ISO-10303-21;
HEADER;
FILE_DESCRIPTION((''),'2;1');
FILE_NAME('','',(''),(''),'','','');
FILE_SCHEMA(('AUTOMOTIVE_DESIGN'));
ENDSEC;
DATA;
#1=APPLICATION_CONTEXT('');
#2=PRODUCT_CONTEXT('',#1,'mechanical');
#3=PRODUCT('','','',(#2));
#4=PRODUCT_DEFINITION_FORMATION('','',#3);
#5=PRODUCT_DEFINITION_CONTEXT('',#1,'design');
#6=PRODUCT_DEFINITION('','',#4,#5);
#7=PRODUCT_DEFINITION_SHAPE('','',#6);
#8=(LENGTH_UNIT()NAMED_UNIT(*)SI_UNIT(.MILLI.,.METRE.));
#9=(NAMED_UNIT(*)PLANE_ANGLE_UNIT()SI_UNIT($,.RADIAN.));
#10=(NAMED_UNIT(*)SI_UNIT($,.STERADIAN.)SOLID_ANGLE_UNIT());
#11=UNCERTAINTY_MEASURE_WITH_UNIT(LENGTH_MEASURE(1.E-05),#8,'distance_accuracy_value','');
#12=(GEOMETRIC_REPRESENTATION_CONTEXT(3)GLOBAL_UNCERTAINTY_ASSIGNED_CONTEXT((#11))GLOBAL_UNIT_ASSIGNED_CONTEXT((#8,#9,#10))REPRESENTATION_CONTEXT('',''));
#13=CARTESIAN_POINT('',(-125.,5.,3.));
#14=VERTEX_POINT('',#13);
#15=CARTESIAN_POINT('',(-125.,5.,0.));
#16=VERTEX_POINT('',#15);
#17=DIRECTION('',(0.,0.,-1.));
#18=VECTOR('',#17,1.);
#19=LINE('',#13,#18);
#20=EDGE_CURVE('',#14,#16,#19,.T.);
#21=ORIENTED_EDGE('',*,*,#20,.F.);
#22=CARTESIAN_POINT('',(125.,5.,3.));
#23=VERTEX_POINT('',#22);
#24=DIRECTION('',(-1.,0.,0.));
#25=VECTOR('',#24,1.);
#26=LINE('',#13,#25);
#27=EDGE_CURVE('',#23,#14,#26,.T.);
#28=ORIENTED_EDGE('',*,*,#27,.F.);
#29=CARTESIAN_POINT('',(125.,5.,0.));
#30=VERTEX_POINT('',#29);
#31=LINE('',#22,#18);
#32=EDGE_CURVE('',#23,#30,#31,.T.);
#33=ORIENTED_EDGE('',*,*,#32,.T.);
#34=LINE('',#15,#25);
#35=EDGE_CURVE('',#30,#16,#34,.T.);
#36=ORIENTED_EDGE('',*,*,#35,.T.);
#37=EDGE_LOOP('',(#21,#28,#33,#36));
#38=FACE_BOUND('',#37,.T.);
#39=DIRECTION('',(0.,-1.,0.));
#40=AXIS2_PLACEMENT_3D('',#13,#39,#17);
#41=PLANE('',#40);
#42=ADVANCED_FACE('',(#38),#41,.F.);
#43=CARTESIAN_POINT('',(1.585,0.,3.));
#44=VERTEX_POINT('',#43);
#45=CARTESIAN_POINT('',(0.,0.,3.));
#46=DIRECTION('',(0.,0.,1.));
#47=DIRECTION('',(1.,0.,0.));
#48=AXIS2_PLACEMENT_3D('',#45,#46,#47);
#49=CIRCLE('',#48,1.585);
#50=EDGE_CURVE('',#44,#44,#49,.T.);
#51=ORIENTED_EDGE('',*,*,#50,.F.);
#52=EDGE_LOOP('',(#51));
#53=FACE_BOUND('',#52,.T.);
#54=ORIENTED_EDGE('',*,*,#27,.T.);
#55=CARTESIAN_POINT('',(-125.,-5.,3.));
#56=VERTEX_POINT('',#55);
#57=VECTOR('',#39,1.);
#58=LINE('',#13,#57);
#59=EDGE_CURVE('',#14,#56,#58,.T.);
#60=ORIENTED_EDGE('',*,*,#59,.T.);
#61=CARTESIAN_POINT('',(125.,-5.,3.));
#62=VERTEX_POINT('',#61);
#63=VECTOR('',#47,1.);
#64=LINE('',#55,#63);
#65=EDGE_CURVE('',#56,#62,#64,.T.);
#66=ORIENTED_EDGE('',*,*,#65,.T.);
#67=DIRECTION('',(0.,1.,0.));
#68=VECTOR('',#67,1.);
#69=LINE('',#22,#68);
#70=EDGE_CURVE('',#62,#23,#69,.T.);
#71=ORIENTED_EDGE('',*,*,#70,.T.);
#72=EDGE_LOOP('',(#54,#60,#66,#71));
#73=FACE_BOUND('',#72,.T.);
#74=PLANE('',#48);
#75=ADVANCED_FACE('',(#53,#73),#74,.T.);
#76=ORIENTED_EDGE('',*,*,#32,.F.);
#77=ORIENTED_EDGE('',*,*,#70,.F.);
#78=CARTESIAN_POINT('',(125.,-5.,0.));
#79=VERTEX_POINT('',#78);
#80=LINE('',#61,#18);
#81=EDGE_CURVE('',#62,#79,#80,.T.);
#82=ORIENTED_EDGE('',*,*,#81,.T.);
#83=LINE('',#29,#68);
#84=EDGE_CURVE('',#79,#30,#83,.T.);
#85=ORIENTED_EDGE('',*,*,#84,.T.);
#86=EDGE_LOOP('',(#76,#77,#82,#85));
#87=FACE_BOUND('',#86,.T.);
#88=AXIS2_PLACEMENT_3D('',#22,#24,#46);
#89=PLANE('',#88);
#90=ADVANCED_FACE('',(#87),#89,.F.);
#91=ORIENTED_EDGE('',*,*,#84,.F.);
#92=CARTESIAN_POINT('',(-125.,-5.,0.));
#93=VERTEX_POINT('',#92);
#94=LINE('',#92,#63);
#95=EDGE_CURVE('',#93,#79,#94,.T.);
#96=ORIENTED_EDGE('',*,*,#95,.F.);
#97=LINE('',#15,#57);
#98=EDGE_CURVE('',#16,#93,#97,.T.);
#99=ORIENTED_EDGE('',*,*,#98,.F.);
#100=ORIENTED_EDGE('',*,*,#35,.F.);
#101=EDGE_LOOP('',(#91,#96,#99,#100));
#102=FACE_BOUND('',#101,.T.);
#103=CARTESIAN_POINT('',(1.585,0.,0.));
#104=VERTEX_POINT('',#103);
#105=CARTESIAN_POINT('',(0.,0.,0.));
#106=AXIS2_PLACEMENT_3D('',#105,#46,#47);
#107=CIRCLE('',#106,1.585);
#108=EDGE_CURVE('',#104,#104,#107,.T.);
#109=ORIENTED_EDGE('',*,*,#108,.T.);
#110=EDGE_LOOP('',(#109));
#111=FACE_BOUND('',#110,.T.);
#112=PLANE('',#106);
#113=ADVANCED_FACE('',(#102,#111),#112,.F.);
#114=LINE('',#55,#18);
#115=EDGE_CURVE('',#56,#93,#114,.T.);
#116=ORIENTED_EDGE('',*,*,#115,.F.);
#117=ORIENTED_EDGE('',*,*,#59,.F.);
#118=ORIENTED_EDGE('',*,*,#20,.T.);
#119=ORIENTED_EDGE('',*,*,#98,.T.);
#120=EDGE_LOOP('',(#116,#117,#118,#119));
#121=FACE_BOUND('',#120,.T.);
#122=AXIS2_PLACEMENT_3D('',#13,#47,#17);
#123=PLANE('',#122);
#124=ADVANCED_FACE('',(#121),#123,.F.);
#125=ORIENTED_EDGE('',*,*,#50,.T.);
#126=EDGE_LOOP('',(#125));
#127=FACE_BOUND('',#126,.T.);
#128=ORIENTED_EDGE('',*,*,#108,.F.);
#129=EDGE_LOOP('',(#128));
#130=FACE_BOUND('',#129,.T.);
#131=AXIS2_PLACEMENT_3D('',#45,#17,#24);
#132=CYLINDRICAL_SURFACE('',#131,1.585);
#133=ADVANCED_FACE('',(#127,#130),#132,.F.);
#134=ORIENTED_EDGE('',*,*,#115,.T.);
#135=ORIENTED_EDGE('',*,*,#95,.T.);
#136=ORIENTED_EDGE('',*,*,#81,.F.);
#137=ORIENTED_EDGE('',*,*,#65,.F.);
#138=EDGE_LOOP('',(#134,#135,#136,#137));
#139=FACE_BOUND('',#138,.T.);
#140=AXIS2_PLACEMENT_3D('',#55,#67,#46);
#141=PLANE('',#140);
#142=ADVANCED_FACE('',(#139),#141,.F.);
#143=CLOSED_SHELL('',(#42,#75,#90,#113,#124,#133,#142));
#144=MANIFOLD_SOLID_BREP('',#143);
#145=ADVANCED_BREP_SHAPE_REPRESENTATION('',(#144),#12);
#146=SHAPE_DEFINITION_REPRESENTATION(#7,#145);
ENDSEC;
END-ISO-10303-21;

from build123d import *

# Parameters (mm, degrees)
SKETCH1_W           = 250
SKETCH1_H           = 10
SKETCH1_R           = 1.585
BOSS_EXTRUDE1_DEPTH = 3


with BuildPart() as part:
    # Sketch1 → Boss-Extrude1 (new body)
    with BuildSketch(Plane.XY):
        Rectangle(SKETCH1_W, SKETCH1_H)
        Circle(SKETCH1_R, mode=Mode.SUBTRACT)
    extrude(amount=BOSS_EXTRUDE1_DEPTH)


solid = part.part
